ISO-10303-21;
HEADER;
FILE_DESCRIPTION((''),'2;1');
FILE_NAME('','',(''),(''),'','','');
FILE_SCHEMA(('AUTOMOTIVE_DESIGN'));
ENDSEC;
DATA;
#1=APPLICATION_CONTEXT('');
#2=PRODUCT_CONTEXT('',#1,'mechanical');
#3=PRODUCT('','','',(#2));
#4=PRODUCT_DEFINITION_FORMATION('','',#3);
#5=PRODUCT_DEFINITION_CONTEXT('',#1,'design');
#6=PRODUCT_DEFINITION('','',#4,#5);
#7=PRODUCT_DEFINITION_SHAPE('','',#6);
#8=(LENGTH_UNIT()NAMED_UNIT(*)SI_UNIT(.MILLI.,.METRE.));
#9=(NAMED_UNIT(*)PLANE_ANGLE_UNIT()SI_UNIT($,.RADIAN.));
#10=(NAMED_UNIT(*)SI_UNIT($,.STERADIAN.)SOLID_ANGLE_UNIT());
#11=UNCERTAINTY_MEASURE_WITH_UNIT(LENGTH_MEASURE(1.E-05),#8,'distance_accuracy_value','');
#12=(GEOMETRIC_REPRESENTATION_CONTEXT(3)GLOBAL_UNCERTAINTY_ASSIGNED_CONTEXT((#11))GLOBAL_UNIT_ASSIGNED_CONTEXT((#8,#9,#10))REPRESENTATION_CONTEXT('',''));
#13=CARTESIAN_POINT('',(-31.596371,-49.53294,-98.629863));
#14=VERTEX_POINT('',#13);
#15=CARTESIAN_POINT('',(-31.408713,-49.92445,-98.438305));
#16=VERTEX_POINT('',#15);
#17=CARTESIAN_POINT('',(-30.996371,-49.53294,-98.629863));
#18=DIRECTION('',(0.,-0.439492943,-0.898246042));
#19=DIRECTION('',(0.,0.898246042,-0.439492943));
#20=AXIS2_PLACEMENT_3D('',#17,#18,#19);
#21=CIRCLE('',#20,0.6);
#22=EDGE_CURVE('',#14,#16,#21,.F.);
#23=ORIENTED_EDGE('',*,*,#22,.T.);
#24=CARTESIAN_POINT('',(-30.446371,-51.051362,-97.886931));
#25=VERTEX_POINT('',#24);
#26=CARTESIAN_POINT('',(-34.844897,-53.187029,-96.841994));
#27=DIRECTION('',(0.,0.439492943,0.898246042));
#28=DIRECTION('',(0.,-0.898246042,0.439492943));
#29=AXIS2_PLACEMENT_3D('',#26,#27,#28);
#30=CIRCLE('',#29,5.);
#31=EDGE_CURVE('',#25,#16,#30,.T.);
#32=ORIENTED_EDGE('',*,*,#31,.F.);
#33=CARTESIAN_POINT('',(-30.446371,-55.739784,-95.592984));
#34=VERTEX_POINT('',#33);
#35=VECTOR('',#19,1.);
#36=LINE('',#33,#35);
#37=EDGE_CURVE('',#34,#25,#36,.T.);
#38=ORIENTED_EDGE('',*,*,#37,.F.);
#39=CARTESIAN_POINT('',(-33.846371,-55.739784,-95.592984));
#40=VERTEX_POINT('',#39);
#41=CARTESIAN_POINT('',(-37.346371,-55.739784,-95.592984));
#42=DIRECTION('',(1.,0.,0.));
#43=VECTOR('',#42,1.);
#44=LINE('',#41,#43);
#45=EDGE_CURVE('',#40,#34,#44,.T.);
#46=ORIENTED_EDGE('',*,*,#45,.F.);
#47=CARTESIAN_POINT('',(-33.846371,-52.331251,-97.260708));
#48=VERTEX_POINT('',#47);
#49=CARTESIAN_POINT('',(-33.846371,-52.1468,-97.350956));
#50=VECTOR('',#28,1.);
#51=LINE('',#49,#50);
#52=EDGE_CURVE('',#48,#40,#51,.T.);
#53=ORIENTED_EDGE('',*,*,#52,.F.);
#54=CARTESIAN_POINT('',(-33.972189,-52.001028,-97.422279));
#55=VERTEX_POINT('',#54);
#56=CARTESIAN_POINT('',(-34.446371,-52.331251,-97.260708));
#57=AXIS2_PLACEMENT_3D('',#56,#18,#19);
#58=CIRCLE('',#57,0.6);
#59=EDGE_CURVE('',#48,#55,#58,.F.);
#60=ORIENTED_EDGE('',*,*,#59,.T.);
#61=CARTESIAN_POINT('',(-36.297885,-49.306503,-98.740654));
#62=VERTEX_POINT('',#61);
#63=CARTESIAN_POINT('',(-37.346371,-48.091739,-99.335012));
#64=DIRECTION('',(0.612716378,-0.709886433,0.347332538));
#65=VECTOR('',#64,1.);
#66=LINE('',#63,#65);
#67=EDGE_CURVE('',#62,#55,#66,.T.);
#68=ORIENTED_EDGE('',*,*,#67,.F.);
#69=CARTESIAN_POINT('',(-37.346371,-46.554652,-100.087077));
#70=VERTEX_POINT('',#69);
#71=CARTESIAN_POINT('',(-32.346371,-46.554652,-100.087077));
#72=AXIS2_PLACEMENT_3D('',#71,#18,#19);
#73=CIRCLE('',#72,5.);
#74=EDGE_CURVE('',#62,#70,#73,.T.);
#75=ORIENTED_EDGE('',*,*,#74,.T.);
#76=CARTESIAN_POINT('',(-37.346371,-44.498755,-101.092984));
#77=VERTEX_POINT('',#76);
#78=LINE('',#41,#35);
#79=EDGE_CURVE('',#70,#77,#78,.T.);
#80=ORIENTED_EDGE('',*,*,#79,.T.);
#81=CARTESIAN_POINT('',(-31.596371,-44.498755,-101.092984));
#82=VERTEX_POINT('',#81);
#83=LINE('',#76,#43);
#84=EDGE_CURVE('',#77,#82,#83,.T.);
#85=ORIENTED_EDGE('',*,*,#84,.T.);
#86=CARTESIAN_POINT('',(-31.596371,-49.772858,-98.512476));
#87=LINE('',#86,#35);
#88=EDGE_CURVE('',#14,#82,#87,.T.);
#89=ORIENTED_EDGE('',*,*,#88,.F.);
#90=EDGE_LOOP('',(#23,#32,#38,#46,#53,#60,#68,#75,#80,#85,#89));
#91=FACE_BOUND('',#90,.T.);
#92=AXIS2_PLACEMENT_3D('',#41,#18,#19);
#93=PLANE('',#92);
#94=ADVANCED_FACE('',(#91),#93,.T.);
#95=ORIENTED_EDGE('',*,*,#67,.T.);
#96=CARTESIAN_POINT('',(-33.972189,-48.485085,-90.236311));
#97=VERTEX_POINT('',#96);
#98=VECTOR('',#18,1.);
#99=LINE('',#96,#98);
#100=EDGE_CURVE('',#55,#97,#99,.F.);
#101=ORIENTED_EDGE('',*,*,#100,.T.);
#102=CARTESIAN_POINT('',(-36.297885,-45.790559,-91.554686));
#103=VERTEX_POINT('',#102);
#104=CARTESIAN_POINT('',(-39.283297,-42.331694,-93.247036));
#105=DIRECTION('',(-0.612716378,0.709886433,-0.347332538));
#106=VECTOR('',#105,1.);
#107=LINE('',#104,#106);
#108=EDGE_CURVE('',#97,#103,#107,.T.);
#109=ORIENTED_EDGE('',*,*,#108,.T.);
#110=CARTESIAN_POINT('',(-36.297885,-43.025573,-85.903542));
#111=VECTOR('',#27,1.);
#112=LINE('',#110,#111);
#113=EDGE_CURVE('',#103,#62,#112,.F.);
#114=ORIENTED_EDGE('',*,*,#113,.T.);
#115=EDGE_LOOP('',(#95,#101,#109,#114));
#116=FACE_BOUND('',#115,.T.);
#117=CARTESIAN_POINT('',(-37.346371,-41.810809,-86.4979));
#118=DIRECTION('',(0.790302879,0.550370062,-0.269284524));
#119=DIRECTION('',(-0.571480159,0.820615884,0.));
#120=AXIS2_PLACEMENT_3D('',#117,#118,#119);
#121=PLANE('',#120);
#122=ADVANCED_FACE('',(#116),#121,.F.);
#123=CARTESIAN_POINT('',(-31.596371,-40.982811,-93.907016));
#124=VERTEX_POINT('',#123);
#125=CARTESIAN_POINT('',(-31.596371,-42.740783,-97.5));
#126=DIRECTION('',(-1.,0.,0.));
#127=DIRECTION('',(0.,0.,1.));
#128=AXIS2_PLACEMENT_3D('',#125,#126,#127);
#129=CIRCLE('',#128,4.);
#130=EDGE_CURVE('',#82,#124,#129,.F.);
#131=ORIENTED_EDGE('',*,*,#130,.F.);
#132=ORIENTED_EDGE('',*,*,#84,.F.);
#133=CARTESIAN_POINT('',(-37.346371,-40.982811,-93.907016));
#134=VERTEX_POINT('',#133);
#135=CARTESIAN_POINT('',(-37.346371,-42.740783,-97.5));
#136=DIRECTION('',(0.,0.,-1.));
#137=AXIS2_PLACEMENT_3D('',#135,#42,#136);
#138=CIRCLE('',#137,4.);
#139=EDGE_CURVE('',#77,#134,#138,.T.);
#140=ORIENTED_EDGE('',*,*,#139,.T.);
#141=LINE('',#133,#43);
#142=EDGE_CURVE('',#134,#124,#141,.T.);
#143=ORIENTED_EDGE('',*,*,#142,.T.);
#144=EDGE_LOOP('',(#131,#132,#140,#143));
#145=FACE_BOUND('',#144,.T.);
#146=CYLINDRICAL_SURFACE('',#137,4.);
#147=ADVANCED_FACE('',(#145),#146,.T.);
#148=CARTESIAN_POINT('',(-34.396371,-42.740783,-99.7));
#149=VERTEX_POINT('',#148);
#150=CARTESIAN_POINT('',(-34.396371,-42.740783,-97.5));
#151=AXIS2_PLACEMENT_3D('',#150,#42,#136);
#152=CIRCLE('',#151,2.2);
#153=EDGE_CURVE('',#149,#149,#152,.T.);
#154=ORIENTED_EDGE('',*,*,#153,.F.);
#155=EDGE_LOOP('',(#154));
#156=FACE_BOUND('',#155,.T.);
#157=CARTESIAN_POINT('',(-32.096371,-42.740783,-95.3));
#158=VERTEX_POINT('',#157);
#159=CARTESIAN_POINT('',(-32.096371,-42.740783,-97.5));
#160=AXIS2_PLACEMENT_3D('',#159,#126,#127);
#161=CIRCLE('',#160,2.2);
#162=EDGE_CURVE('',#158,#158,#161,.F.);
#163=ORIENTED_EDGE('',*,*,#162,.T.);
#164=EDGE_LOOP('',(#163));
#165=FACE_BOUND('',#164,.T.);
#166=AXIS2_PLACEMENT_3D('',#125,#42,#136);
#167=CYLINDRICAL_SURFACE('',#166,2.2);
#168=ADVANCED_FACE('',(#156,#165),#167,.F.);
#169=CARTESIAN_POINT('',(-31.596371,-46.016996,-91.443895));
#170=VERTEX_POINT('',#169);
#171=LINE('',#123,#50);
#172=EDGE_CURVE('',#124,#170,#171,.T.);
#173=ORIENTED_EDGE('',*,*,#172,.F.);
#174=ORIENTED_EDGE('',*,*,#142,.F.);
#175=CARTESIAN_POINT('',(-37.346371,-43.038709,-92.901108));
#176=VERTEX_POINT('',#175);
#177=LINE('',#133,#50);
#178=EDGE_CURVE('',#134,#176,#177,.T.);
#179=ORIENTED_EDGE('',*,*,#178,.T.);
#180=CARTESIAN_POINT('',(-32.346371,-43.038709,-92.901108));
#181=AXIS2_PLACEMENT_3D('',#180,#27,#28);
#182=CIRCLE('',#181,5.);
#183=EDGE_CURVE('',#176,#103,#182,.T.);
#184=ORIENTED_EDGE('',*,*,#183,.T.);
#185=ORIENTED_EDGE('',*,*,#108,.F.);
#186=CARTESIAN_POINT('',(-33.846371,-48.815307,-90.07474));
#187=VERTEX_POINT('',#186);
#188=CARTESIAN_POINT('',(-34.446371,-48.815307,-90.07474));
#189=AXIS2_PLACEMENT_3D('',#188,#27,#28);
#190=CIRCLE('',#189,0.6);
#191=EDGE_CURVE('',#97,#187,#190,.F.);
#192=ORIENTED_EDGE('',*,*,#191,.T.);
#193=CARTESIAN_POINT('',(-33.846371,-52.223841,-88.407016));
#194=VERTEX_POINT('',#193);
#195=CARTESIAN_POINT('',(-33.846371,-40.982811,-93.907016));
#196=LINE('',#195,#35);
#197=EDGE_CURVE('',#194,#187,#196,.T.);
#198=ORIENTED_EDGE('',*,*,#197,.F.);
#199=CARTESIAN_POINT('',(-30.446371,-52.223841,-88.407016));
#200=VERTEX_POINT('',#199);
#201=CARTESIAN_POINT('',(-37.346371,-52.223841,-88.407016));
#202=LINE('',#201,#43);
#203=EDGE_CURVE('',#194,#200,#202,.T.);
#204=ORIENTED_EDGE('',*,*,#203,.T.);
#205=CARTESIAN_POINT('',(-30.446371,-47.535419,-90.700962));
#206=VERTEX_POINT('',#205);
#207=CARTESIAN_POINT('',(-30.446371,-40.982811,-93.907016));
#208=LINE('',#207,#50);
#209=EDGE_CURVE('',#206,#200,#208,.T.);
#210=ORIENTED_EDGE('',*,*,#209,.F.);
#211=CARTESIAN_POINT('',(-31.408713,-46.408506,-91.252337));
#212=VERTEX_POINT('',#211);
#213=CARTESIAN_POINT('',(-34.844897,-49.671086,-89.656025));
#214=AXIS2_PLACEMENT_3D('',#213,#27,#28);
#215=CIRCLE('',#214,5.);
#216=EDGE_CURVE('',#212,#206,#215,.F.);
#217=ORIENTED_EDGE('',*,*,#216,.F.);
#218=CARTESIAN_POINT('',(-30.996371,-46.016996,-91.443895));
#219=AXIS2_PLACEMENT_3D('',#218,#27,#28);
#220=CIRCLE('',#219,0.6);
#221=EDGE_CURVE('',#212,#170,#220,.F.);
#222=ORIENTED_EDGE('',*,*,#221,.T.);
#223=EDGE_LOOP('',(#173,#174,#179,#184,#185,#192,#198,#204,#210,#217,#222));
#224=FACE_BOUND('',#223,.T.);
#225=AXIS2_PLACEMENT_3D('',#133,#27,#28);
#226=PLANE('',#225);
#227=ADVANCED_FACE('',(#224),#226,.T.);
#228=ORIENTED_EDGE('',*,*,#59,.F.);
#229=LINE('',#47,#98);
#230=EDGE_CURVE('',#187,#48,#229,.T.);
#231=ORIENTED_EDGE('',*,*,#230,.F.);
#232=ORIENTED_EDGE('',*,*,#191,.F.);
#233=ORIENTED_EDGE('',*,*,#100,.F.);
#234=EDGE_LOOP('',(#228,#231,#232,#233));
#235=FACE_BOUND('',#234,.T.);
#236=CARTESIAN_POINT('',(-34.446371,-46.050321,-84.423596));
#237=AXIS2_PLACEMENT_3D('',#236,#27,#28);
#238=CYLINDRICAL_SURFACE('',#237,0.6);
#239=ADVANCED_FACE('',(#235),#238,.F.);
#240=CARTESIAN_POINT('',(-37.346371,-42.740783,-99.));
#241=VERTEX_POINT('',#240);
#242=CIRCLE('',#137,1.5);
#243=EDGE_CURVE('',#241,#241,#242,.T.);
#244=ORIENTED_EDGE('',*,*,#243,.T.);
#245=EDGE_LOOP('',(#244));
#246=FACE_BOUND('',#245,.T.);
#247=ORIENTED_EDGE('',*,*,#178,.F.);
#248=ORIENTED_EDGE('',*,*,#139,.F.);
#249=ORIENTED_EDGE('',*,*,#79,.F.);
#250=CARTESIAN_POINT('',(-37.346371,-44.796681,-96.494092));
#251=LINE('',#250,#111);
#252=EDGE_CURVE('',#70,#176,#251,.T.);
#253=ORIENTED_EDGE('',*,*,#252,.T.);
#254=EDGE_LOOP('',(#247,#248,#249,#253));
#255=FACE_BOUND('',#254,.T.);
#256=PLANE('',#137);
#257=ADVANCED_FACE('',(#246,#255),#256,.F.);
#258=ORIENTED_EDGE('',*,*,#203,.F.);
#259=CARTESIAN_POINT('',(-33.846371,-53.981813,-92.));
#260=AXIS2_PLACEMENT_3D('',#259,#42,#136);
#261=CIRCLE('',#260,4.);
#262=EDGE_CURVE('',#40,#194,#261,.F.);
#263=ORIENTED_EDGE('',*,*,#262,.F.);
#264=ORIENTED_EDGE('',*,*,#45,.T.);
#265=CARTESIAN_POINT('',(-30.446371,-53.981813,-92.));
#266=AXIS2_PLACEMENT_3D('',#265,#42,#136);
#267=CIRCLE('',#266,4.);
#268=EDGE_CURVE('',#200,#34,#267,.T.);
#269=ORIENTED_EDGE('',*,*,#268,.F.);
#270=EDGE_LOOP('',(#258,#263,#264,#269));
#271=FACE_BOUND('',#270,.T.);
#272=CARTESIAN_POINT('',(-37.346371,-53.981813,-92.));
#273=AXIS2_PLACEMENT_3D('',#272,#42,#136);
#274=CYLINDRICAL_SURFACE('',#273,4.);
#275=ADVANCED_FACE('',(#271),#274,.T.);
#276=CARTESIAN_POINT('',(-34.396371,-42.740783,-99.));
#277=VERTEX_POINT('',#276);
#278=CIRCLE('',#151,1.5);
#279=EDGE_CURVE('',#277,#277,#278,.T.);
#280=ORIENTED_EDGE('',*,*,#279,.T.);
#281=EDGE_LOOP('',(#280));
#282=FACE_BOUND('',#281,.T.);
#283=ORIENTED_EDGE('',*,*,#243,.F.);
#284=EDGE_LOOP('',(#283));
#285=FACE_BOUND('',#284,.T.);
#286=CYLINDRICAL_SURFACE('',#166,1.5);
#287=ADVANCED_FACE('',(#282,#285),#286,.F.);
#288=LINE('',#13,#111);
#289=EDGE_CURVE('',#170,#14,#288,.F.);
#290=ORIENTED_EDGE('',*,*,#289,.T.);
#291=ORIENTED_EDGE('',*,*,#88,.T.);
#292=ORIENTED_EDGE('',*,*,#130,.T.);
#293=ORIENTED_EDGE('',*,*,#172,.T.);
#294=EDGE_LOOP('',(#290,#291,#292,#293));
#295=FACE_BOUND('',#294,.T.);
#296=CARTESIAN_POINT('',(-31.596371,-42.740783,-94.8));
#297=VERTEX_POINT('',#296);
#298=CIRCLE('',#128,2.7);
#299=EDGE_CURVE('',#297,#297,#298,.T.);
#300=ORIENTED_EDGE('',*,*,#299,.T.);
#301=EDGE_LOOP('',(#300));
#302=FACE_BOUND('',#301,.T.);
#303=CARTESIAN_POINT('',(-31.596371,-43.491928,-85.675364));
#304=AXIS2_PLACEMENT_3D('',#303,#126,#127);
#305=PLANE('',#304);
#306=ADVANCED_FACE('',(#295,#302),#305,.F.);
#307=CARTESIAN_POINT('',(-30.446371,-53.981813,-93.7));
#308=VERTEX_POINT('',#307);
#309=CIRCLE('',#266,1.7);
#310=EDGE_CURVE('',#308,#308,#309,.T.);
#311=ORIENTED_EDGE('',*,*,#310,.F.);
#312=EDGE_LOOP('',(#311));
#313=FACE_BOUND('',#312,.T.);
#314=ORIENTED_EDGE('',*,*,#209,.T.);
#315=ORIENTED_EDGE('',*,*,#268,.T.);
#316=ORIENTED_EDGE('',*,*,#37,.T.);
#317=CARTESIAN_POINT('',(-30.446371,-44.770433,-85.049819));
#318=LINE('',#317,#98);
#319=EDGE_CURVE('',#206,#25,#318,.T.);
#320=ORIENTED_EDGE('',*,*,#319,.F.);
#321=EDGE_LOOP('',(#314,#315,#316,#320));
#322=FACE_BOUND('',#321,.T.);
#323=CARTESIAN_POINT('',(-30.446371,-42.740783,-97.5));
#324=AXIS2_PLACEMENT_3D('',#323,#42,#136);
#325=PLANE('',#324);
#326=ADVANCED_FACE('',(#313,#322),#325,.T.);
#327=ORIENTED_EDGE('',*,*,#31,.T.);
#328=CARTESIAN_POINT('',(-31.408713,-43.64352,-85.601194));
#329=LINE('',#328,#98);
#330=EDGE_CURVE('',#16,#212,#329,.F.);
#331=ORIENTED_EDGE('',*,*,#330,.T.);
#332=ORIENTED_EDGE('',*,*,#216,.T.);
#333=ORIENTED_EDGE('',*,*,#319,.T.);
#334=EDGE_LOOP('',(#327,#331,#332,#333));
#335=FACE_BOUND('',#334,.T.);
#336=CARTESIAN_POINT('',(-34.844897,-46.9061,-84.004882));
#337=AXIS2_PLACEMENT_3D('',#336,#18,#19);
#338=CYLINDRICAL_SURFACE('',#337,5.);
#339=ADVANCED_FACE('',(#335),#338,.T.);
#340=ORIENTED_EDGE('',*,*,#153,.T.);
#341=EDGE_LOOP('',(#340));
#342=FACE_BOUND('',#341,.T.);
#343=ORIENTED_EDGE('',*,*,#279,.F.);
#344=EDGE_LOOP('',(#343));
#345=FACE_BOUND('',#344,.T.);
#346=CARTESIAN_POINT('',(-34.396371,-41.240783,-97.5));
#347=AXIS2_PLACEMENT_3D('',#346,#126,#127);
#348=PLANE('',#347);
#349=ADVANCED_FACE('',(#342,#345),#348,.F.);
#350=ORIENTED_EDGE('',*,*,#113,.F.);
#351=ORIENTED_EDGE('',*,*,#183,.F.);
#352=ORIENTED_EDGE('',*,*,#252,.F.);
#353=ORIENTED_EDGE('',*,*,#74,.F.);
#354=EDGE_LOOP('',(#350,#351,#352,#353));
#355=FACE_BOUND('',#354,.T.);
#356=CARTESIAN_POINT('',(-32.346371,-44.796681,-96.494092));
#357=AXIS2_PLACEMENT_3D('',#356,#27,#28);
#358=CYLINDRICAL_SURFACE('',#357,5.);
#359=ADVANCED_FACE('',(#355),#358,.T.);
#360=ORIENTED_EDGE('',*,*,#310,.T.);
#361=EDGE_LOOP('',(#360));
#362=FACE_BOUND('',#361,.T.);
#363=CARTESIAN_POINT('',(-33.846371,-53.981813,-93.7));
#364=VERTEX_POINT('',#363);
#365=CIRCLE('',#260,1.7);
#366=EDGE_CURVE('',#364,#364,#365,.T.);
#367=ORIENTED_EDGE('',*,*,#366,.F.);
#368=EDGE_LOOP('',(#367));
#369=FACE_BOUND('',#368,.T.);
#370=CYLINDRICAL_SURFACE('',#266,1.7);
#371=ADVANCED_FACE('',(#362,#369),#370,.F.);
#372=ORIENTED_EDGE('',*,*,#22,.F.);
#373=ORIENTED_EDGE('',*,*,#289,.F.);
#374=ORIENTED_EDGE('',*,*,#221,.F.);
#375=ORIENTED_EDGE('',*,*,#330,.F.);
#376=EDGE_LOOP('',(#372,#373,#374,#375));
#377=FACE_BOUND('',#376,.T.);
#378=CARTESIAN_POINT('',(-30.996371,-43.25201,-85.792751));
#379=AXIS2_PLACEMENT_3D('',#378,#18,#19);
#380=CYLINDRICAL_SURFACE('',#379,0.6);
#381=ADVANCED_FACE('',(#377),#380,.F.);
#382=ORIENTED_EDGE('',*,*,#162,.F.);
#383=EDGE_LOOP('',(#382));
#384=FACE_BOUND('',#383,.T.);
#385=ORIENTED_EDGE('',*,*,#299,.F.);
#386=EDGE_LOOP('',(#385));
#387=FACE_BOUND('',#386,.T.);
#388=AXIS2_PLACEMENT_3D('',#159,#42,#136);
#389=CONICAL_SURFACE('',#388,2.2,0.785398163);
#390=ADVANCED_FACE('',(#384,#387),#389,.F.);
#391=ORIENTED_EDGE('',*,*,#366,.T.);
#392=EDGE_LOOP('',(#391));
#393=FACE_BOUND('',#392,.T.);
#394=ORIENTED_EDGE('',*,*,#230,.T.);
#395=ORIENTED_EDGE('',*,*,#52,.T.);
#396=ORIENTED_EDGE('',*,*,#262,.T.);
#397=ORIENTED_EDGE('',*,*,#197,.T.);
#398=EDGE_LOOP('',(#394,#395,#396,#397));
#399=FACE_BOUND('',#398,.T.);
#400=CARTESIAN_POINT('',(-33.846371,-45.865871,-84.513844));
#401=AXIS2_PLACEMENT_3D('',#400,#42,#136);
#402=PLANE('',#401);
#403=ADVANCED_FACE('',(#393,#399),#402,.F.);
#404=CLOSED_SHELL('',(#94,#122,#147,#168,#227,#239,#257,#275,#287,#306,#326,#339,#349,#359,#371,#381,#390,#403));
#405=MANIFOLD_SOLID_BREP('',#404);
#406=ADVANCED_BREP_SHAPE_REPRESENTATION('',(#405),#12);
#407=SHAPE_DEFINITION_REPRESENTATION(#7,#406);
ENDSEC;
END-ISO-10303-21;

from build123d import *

# Parameters (mm, degrees)
BOSS_EXTRUDE1_DEPTH = 6.9
CUT_EXTRUDE1_DEPTH  = 41.174882094
CUT_EXTRUDE2_DEPTH  = 41.174882094
HOLE1_D             = 3.4
HOLE2_D             = 3
HOLE2_CBORE_D       = 4.4
HOLE2_CBORE_DEPTH   = 2.8
FILLET1_R           = 0.6
FILLET2_R           = 5
CHAMFER2_SIZE       = 0.5


with BuildPart() as part:
    # Sketch1 → Boss-Extrude1 (new body)
    with BuildSketch(Plane(origin=(-30.446370889, 0, 0), x_dir=(0, 0, -1), z_dir=(1, 0, 0))):
        with BuildLine():
            Line((93.90701583, -40.982811072), (88.40701583, -52.223840783))
            ThreePointArc((88.40701583, -52.223840783), (90.242028227, -57.574796726), (95.59298417, -55.739784329))
            Line((95.59298417, -55.739784329), (101.09298417, -44.498754618))
            ThreePointArc((101.09298417, -44.498754618), (99.257971773, -39.147798675), (93.90701583, -40.982811072))
        make_face()
    extrude(amount=-BOSS_EXTRUDE1_DEPTH)

    # Sketch2 → Cut-Extrude1 (cut, through all)
    with BuildSketch(Plane(origin=(0, -48.50387467, -99.133362956), x_dir=(-1, 0, 0), z_dir=(0, -0.43949294330941685, -0.8982460424523036))):
        Polygon((37.346370889, 0.458822931), (33.846370889, -4.055598708), (33.846370889, -14.237691346), (37.346370889, -14.237691346), align=None)
    extrude(amount=-CUT_EXTRUDE1_DEPTH, mode=Mode.SUBTRACT)

    # Sketch3 → Cut-Extrude2 (cut, through all)
    with BuildSketch(Plane(origin=(0, -48.50387467, -99.133362956), x_dir=(-1, 0, 0), z_dir=(0, -0.4394929433094169, -0.8982460424523037))):
        with BuildLine():
            Line((29.844897196, 8.580951501), (29.844897196, -5.213665722))
            ThreePointArc((29.844897196, -5.213665722), (30.303827303, -3.12113514), (31.596370889, -1.412734673))
            Line((31.596370889, -1.412734673), (31.596370889, 8.580951501))
            Line((31.596370889, 8.580951501), (29.844897196, 8.580951501))
        make_face()
    extrude(amount=-CUT_EXTRUDE2_DEPTH, mode=Mode.SUBTRACT)

    # Hole1 (through all)
    with Locations(Plane(origin=(-30.446370889, 0, 0), x_dir=(0, 0, -1), z_dir=(1, 0, 0))):
        with Locations((92, -53.981812556)):
            Hole(HOLE1_D / 2)

    # Hole2 (through all)
    with Locations(Plane(origin=(-31.596370889, 0, 0), x_dir=(0, 0, -1), z_dir=(1, 0, 0))):
        with Locations((97.5, -42.740782845)):
            CounterBoreHole(HOLE2_D / 2, HOLE2_CBORE_D / 2, HOLE2_CBORE_DEPTH)

    # Fillet1
    fillet1_edges = [part.edges().sort_by_distance(p)[0] for p in [
        (-33.846370889, -50.388828386, -93.757971773),
        (-31.596370889, -48.014886226, -94.919491867),
    ]]
    fillet(fillet1_edges, radius=FILLET1_R)

    # Fillet2
    fillet2_edges = [part.edges().sort_by_distance(p)[0] for p in [
        (-37.346370889, -46.333767015, -95.742028227),
    ]]
    fillet(fillet2_edges, radius=FILLET2_R)

    # Chamfer2
    chamfer2_edges = [part.edges().sort_by_distance(p)[0] for p in [
        (-31.596370889, -42.740782845, -95.3),
    ]]
    chamfer(chamfer2_edges, length=CHAMFER2_SIZE)


solid = part.part
